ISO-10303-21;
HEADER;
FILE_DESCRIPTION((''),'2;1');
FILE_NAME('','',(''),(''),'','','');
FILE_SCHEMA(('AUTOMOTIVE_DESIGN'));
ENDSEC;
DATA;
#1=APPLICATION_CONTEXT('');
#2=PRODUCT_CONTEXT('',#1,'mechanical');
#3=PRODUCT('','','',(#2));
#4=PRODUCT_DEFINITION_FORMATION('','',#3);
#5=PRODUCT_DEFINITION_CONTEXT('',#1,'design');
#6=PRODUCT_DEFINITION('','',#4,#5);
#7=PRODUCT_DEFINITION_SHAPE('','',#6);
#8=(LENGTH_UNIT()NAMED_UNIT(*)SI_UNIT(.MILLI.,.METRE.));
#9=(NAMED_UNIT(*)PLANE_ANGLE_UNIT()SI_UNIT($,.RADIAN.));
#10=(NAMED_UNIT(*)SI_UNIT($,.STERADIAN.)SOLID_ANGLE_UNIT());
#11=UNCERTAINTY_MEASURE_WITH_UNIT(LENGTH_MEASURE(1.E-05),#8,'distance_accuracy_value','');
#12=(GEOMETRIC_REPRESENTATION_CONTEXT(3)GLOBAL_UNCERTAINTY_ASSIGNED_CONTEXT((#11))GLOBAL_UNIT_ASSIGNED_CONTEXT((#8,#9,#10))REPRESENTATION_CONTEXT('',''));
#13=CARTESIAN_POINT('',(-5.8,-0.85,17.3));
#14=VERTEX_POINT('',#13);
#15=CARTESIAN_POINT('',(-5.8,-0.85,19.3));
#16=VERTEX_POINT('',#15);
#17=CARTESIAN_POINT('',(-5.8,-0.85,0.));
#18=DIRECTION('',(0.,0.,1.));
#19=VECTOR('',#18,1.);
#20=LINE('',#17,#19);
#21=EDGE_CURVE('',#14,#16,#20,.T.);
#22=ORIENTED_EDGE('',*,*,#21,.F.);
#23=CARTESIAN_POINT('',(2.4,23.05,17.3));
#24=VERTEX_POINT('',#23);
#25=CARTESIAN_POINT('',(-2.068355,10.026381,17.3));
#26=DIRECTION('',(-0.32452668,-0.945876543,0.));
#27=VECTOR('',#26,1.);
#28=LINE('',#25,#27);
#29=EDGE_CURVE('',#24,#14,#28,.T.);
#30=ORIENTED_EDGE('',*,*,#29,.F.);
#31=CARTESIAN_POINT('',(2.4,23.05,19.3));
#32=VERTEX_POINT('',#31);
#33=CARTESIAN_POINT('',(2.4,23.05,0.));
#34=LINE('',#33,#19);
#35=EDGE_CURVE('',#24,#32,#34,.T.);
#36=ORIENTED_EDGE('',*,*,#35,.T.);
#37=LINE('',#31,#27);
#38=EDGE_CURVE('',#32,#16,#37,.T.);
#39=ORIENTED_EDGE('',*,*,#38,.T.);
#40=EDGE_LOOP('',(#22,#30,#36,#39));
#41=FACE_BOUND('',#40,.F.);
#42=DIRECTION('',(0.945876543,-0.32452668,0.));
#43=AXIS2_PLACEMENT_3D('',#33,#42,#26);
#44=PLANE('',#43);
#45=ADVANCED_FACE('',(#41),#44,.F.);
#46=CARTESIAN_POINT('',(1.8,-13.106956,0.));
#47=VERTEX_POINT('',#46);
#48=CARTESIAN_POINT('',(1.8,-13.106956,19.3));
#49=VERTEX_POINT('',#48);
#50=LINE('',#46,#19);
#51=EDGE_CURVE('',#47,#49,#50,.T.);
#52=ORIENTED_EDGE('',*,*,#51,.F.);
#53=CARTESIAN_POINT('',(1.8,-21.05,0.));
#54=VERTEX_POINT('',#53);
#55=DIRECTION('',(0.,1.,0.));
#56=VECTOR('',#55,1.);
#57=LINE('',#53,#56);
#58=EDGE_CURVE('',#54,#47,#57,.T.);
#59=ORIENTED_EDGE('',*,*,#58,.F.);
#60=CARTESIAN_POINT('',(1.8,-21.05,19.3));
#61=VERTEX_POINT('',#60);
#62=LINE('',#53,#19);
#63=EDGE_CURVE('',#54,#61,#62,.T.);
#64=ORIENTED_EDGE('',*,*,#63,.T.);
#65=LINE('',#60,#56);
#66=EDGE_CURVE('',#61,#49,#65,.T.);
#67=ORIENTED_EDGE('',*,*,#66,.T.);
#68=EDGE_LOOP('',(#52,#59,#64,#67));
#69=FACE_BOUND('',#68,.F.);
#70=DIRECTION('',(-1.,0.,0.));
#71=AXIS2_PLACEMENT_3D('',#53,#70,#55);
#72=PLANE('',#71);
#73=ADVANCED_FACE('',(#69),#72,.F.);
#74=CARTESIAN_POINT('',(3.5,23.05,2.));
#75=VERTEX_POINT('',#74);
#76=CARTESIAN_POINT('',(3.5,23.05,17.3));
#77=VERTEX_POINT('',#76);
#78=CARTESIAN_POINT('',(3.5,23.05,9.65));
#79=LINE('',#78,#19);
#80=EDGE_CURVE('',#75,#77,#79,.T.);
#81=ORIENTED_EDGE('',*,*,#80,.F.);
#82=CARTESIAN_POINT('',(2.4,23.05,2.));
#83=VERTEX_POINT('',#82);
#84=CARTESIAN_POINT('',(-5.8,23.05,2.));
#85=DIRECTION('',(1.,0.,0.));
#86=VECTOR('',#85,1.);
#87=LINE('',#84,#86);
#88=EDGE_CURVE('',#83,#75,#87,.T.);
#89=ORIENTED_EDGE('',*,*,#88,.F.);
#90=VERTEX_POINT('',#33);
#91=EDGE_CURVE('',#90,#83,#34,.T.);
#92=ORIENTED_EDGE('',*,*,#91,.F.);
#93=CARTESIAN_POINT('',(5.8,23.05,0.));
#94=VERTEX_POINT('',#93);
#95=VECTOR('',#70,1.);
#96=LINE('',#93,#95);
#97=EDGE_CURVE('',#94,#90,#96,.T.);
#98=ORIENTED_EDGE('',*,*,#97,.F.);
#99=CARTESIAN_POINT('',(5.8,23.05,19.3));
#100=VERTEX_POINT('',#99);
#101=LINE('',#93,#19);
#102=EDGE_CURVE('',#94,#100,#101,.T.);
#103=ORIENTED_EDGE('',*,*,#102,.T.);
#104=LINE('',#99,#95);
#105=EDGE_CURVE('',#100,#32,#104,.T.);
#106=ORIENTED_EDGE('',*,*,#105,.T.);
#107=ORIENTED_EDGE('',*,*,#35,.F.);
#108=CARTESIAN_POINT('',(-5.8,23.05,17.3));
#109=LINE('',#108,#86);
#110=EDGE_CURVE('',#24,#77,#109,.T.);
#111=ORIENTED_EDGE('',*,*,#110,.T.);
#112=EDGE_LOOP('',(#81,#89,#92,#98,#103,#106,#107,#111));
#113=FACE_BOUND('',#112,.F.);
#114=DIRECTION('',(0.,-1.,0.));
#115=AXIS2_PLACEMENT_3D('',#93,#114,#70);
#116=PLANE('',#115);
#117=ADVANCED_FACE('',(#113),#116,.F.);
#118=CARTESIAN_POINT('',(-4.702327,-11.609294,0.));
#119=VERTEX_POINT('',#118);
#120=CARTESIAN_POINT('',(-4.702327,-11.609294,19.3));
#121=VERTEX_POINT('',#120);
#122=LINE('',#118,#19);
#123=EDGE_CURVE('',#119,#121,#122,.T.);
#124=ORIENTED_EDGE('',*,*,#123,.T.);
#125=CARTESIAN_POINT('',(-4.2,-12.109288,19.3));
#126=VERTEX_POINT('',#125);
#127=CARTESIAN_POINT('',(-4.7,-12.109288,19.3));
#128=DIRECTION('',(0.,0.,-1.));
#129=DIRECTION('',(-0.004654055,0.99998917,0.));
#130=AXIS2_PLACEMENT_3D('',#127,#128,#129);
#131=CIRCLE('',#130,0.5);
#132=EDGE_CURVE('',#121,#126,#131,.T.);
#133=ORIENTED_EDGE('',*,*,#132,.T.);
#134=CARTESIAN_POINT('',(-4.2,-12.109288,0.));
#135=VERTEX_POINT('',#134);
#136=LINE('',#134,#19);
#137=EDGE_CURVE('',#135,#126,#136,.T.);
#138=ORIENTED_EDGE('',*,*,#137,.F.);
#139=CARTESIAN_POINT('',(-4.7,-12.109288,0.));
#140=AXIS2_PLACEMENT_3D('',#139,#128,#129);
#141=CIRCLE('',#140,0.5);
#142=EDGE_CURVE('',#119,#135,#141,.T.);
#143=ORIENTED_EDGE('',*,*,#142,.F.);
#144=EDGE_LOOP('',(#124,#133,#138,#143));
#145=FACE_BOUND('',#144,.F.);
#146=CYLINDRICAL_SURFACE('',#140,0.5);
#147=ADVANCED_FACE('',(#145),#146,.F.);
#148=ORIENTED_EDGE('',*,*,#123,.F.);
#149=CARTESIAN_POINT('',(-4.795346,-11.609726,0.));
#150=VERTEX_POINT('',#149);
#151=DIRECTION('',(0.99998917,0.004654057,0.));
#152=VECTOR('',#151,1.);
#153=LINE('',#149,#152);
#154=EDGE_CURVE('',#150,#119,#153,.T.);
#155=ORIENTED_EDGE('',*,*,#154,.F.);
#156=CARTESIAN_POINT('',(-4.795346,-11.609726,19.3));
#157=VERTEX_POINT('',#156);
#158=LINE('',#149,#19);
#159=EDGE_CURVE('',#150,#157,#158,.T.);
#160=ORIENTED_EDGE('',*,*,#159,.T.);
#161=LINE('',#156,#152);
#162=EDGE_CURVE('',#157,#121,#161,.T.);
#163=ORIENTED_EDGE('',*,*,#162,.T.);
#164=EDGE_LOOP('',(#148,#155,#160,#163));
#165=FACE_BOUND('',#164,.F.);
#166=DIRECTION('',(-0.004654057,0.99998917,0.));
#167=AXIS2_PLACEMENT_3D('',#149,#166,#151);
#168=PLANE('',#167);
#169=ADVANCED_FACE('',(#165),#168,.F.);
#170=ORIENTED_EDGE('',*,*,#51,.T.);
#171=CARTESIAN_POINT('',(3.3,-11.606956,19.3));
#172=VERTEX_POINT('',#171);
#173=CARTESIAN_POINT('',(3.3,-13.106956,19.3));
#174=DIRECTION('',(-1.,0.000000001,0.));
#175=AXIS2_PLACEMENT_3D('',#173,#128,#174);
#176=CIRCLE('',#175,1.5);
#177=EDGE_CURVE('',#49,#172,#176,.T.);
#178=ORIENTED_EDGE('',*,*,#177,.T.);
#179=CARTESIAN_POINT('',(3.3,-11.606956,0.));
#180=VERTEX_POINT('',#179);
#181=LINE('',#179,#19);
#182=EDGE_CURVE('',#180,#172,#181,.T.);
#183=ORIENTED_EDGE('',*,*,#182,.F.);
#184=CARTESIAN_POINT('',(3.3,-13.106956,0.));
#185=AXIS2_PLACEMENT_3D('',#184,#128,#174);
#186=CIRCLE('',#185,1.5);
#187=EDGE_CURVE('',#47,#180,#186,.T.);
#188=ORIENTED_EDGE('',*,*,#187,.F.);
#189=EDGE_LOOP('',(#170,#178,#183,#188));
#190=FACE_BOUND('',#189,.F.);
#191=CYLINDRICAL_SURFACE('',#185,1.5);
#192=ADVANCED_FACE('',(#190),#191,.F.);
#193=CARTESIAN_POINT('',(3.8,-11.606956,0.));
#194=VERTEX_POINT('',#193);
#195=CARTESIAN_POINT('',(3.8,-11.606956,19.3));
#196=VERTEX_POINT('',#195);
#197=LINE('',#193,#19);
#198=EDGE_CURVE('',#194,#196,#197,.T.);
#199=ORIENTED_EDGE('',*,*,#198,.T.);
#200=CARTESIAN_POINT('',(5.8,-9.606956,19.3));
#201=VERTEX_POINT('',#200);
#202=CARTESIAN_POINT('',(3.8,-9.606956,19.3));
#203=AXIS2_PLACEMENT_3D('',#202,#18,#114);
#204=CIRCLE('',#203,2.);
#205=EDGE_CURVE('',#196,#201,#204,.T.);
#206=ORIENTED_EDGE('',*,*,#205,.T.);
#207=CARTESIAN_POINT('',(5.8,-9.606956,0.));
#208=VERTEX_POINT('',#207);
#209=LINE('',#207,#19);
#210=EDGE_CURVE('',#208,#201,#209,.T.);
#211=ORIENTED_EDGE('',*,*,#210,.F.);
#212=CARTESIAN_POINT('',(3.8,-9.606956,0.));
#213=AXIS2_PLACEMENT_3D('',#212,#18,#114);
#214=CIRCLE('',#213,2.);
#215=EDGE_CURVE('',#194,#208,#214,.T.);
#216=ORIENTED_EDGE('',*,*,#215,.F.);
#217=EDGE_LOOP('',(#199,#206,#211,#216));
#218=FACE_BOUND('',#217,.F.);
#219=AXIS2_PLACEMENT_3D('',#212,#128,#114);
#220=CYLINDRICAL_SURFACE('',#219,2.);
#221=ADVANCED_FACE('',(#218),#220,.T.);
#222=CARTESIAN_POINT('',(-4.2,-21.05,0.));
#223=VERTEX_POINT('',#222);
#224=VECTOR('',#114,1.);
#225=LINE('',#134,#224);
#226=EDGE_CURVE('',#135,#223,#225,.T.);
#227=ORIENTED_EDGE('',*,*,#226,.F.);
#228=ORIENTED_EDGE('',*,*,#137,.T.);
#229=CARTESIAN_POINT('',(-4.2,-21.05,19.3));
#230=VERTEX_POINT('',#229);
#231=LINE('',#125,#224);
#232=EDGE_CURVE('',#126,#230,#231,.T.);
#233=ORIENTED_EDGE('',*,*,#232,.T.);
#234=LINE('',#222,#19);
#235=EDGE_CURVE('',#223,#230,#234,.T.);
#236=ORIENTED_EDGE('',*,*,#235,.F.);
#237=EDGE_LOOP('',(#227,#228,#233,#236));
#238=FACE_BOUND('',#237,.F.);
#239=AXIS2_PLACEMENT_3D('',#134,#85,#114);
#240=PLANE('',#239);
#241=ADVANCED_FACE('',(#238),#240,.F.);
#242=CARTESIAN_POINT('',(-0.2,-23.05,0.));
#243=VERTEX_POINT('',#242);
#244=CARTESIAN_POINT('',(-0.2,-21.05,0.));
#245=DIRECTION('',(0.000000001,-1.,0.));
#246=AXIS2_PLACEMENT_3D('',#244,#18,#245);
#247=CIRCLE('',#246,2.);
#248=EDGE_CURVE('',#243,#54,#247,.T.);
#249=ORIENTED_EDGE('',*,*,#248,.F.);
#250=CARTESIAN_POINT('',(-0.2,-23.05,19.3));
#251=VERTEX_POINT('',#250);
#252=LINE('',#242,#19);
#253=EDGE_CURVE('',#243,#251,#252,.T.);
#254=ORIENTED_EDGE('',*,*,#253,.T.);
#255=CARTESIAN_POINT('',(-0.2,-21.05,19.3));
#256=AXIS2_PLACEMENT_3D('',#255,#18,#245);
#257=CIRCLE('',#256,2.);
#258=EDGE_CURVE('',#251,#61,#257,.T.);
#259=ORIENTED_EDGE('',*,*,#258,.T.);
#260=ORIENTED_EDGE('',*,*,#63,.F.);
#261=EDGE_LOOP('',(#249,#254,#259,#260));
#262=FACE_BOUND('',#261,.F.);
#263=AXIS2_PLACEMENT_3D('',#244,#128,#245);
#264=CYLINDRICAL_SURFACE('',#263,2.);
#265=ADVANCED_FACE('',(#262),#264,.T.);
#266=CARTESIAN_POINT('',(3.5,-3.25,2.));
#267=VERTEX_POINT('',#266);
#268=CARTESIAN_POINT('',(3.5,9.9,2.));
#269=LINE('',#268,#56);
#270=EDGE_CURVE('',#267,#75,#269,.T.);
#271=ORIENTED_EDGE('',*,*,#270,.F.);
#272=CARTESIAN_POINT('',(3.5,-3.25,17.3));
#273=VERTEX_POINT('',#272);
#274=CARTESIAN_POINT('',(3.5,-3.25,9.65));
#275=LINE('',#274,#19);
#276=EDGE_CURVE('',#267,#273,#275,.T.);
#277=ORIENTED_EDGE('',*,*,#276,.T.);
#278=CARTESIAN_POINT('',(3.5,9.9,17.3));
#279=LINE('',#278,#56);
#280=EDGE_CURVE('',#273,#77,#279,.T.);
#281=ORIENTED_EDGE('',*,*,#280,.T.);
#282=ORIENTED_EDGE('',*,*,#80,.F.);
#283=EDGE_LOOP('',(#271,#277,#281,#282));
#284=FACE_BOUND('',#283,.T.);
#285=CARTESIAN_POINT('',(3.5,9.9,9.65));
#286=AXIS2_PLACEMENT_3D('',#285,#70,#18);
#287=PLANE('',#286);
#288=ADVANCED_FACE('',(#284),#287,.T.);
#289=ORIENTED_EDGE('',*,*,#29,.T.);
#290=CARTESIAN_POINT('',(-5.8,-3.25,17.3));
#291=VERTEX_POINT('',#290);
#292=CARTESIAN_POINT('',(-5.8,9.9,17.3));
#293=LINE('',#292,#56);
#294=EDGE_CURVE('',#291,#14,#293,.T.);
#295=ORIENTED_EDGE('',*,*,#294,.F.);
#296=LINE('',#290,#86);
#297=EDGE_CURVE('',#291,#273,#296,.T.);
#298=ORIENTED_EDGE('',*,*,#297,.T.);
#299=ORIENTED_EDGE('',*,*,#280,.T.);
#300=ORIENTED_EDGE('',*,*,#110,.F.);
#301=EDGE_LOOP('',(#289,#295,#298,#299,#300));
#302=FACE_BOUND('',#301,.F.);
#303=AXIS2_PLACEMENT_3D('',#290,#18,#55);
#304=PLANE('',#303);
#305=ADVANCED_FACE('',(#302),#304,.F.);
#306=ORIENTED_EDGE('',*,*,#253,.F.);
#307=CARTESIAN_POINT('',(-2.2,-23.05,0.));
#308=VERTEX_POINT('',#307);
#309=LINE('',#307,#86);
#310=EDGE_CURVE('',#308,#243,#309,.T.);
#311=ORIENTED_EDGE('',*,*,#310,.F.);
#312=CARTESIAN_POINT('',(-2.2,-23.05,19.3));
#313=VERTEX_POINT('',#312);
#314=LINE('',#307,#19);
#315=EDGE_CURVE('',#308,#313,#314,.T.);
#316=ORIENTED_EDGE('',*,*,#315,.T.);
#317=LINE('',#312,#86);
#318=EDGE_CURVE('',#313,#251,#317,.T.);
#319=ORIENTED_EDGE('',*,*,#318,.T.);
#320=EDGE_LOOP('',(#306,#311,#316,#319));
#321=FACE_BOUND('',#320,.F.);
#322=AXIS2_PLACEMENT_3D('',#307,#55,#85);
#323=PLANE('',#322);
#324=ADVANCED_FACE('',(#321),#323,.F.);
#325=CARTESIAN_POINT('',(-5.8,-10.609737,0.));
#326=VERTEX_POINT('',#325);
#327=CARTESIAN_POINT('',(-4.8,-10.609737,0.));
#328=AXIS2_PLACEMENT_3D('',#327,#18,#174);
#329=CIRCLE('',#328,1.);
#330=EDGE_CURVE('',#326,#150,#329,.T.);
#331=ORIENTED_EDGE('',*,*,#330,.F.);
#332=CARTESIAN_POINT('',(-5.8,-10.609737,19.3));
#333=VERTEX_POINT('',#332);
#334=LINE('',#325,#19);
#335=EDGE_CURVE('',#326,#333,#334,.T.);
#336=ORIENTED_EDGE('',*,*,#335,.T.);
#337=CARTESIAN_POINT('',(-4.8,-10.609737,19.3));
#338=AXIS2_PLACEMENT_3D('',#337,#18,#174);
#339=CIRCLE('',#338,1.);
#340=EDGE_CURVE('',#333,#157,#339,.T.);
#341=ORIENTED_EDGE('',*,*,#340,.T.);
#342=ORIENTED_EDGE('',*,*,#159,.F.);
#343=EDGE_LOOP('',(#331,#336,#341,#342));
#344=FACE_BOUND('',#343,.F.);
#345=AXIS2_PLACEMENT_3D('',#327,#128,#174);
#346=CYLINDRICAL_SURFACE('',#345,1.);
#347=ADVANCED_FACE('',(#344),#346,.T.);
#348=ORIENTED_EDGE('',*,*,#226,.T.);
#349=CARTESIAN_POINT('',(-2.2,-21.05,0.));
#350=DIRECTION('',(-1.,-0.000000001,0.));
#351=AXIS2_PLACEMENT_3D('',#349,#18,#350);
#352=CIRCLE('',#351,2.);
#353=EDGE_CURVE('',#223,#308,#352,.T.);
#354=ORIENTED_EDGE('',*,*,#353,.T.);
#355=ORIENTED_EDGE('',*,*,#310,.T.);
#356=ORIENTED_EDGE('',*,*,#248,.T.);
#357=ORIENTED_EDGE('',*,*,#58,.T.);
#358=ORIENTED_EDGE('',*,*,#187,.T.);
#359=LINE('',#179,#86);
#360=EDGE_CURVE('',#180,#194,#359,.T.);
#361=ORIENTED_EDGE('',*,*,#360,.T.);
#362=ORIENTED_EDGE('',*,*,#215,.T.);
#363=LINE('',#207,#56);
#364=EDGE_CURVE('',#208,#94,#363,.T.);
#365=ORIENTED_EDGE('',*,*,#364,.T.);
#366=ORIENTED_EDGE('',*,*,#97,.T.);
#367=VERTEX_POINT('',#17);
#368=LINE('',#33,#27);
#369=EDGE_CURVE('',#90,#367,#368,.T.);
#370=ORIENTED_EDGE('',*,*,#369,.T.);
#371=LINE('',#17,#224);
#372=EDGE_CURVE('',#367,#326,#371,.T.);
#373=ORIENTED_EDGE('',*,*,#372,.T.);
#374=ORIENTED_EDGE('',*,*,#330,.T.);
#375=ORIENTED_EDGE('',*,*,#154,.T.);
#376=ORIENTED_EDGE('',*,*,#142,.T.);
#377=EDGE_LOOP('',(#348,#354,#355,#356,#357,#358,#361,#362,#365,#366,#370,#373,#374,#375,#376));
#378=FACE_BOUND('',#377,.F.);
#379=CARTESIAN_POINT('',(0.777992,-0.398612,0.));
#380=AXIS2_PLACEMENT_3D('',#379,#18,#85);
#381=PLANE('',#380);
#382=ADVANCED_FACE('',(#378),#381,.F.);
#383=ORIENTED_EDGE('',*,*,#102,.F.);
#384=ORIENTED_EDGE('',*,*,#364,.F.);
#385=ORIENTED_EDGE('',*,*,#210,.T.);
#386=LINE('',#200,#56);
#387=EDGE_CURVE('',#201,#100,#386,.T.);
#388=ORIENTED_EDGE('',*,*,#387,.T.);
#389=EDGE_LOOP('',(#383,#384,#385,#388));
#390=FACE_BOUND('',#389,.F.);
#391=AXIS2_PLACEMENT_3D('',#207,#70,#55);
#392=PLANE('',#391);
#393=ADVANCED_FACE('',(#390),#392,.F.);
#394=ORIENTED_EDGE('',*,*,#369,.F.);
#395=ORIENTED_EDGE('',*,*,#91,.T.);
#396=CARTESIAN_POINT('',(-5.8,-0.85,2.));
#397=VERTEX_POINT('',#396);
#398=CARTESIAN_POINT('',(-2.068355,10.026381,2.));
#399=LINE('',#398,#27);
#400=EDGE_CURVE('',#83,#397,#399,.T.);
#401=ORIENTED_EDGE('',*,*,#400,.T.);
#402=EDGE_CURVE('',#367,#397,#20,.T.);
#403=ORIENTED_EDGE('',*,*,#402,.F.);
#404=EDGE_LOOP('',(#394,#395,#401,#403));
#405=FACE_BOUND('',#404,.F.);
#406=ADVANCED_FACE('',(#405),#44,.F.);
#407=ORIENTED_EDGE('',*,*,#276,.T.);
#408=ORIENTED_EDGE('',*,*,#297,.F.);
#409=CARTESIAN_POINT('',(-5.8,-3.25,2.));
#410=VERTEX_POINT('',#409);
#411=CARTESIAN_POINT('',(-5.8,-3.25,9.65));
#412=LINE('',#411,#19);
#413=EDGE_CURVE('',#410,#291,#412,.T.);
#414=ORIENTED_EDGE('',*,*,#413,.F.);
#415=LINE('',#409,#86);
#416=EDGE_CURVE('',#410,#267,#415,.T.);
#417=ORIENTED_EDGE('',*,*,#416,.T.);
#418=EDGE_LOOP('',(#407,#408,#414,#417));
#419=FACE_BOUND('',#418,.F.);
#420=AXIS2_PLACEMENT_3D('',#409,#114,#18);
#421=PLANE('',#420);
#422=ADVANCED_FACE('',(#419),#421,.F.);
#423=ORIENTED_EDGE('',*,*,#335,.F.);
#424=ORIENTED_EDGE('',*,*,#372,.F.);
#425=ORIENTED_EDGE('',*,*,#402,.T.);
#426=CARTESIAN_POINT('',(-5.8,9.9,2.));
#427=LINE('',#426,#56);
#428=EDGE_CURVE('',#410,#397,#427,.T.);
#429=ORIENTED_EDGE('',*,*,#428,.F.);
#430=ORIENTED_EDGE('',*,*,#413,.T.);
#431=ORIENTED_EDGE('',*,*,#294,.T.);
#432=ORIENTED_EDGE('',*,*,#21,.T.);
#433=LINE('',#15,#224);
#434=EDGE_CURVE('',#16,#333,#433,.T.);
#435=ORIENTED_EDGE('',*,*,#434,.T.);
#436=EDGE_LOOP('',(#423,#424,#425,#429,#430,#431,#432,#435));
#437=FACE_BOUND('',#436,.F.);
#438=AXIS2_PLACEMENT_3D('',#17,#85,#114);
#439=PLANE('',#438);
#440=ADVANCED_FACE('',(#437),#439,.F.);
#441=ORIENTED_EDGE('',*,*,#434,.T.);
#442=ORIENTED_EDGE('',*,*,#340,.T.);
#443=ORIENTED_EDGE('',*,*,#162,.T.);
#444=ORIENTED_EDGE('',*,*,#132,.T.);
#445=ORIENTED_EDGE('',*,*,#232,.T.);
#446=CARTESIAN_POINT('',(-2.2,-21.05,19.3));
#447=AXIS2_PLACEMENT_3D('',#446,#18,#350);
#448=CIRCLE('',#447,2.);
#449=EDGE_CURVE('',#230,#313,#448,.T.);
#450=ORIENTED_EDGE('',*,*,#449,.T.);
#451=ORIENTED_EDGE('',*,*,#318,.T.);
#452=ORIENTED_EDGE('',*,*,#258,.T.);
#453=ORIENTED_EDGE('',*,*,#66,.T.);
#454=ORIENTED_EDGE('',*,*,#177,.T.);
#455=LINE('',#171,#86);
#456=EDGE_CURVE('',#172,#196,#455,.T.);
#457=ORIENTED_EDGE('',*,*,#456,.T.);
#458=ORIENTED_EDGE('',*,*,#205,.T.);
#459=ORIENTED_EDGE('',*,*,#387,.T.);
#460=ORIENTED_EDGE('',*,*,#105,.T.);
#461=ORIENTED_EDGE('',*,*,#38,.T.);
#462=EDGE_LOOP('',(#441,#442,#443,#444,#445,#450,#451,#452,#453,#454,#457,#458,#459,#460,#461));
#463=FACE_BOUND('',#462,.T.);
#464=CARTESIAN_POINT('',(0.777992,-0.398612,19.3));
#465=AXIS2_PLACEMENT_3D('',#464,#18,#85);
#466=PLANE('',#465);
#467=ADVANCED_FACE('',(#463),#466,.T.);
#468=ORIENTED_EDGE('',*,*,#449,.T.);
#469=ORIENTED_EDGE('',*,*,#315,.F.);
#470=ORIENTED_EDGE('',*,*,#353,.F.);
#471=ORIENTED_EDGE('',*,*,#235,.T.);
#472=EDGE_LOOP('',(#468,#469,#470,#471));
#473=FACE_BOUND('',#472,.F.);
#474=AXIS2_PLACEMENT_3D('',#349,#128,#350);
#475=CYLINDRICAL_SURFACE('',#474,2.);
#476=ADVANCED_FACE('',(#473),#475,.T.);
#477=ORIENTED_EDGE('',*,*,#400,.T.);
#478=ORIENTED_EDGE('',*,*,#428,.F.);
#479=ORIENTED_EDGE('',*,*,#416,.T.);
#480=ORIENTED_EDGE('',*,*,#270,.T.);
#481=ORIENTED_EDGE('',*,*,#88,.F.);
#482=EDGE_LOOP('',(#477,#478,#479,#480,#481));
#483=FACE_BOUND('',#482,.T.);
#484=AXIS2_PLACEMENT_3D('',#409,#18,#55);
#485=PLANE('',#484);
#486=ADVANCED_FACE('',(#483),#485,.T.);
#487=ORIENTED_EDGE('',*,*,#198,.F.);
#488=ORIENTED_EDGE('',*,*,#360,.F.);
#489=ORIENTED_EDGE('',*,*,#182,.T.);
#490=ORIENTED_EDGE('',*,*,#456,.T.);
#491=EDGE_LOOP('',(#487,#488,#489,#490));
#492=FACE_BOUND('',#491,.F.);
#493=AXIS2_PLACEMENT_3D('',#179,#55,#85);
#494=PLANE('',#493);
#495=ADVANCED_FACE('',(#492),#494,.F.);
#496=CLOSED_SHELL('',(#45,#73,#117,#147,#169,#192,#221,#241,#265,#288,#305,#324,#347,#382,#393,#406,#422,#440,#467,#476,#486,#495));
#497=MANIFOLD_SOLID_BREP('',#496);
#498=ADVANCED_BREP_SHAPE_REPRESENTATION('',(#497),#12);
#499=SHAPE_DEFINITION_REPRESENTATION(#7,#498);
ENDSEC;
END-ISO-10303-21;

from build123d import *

# Parameters (mm, degrees)
SALIENTE_EXTRUIR1_DEPTH = 19.3
CROQUIS2_W              = 15.3
CROQUIS2_H              = 26.3
CORTAR_EXTRUIR1_DEPTH   = 9.3


with BuildPart() as part:
    # Croquis1 → Saliente-Extruir1 (new body)
    with BuildSketch(Plane.XY):
        with BuildLine():
            Line((5.8, 23.05), (2.4, 23.05))
            Line((2.4, 23.05), (-5.8, -0.85))
            Line((-5.8, -0.85), (-5.8, -10.609737321))
            ThreePointArc((-5.8, -10.609737321), (-5.505459406, -11.318487649), (-4.795345946, -11.609726491))
            Line((-4.795345946, -11.609726491), (-4.702327027, -11.609293571))
            ThreePointArc((-4.702327027, -11.609293571), (-4.347270297, -11.754912992), (-4.2, -12.109288156))
            Line((-4.2, -12.109288156), (-4.2, -21.05))
            ThreePointArc((-4.2, -21.05), (-3.614213562, -22.464213562), (-2.2, -23.05))
            Line((-2.2, -23.05), (-0.2, -23.05))
            ThreePointArc((-0.2, -23.05), (1.214213562, -22.464213562), (1.8, -21.05))
            Line((1.8, -21.05), (1.8, -13.106955688))
            ThreePointArc((1.8, -13.106955688), (2.239339828, -12.046295517), (3.3, -11.606955688))
            Line((3.3, -11.606955688), (3.8, -11.606955688))
            ThreePointArc((3.8, -11.606955688), (5.214213562, -11.021169251), (5.8, -9.606955688))
            Line((5.8, -9.606955688), (5.8, 23.05))
        make_face()
    extrude(amount=SALIENTE_EXTRUIR1_DEPTH)

    # Croquis2 → Cortar-Extruir1 (cut)
    with BuildSketch(Plane.ZY.offset(5.8)):
        with Locations((9.65, 9.9)):
            Rectangle(CROQUIS2_W, CROQUIS2_H)
    extrude(amount=-CORTAR_EXTRUIR1_DEPTH, mode=Mode.SUBTRACT)


solid = part.part
